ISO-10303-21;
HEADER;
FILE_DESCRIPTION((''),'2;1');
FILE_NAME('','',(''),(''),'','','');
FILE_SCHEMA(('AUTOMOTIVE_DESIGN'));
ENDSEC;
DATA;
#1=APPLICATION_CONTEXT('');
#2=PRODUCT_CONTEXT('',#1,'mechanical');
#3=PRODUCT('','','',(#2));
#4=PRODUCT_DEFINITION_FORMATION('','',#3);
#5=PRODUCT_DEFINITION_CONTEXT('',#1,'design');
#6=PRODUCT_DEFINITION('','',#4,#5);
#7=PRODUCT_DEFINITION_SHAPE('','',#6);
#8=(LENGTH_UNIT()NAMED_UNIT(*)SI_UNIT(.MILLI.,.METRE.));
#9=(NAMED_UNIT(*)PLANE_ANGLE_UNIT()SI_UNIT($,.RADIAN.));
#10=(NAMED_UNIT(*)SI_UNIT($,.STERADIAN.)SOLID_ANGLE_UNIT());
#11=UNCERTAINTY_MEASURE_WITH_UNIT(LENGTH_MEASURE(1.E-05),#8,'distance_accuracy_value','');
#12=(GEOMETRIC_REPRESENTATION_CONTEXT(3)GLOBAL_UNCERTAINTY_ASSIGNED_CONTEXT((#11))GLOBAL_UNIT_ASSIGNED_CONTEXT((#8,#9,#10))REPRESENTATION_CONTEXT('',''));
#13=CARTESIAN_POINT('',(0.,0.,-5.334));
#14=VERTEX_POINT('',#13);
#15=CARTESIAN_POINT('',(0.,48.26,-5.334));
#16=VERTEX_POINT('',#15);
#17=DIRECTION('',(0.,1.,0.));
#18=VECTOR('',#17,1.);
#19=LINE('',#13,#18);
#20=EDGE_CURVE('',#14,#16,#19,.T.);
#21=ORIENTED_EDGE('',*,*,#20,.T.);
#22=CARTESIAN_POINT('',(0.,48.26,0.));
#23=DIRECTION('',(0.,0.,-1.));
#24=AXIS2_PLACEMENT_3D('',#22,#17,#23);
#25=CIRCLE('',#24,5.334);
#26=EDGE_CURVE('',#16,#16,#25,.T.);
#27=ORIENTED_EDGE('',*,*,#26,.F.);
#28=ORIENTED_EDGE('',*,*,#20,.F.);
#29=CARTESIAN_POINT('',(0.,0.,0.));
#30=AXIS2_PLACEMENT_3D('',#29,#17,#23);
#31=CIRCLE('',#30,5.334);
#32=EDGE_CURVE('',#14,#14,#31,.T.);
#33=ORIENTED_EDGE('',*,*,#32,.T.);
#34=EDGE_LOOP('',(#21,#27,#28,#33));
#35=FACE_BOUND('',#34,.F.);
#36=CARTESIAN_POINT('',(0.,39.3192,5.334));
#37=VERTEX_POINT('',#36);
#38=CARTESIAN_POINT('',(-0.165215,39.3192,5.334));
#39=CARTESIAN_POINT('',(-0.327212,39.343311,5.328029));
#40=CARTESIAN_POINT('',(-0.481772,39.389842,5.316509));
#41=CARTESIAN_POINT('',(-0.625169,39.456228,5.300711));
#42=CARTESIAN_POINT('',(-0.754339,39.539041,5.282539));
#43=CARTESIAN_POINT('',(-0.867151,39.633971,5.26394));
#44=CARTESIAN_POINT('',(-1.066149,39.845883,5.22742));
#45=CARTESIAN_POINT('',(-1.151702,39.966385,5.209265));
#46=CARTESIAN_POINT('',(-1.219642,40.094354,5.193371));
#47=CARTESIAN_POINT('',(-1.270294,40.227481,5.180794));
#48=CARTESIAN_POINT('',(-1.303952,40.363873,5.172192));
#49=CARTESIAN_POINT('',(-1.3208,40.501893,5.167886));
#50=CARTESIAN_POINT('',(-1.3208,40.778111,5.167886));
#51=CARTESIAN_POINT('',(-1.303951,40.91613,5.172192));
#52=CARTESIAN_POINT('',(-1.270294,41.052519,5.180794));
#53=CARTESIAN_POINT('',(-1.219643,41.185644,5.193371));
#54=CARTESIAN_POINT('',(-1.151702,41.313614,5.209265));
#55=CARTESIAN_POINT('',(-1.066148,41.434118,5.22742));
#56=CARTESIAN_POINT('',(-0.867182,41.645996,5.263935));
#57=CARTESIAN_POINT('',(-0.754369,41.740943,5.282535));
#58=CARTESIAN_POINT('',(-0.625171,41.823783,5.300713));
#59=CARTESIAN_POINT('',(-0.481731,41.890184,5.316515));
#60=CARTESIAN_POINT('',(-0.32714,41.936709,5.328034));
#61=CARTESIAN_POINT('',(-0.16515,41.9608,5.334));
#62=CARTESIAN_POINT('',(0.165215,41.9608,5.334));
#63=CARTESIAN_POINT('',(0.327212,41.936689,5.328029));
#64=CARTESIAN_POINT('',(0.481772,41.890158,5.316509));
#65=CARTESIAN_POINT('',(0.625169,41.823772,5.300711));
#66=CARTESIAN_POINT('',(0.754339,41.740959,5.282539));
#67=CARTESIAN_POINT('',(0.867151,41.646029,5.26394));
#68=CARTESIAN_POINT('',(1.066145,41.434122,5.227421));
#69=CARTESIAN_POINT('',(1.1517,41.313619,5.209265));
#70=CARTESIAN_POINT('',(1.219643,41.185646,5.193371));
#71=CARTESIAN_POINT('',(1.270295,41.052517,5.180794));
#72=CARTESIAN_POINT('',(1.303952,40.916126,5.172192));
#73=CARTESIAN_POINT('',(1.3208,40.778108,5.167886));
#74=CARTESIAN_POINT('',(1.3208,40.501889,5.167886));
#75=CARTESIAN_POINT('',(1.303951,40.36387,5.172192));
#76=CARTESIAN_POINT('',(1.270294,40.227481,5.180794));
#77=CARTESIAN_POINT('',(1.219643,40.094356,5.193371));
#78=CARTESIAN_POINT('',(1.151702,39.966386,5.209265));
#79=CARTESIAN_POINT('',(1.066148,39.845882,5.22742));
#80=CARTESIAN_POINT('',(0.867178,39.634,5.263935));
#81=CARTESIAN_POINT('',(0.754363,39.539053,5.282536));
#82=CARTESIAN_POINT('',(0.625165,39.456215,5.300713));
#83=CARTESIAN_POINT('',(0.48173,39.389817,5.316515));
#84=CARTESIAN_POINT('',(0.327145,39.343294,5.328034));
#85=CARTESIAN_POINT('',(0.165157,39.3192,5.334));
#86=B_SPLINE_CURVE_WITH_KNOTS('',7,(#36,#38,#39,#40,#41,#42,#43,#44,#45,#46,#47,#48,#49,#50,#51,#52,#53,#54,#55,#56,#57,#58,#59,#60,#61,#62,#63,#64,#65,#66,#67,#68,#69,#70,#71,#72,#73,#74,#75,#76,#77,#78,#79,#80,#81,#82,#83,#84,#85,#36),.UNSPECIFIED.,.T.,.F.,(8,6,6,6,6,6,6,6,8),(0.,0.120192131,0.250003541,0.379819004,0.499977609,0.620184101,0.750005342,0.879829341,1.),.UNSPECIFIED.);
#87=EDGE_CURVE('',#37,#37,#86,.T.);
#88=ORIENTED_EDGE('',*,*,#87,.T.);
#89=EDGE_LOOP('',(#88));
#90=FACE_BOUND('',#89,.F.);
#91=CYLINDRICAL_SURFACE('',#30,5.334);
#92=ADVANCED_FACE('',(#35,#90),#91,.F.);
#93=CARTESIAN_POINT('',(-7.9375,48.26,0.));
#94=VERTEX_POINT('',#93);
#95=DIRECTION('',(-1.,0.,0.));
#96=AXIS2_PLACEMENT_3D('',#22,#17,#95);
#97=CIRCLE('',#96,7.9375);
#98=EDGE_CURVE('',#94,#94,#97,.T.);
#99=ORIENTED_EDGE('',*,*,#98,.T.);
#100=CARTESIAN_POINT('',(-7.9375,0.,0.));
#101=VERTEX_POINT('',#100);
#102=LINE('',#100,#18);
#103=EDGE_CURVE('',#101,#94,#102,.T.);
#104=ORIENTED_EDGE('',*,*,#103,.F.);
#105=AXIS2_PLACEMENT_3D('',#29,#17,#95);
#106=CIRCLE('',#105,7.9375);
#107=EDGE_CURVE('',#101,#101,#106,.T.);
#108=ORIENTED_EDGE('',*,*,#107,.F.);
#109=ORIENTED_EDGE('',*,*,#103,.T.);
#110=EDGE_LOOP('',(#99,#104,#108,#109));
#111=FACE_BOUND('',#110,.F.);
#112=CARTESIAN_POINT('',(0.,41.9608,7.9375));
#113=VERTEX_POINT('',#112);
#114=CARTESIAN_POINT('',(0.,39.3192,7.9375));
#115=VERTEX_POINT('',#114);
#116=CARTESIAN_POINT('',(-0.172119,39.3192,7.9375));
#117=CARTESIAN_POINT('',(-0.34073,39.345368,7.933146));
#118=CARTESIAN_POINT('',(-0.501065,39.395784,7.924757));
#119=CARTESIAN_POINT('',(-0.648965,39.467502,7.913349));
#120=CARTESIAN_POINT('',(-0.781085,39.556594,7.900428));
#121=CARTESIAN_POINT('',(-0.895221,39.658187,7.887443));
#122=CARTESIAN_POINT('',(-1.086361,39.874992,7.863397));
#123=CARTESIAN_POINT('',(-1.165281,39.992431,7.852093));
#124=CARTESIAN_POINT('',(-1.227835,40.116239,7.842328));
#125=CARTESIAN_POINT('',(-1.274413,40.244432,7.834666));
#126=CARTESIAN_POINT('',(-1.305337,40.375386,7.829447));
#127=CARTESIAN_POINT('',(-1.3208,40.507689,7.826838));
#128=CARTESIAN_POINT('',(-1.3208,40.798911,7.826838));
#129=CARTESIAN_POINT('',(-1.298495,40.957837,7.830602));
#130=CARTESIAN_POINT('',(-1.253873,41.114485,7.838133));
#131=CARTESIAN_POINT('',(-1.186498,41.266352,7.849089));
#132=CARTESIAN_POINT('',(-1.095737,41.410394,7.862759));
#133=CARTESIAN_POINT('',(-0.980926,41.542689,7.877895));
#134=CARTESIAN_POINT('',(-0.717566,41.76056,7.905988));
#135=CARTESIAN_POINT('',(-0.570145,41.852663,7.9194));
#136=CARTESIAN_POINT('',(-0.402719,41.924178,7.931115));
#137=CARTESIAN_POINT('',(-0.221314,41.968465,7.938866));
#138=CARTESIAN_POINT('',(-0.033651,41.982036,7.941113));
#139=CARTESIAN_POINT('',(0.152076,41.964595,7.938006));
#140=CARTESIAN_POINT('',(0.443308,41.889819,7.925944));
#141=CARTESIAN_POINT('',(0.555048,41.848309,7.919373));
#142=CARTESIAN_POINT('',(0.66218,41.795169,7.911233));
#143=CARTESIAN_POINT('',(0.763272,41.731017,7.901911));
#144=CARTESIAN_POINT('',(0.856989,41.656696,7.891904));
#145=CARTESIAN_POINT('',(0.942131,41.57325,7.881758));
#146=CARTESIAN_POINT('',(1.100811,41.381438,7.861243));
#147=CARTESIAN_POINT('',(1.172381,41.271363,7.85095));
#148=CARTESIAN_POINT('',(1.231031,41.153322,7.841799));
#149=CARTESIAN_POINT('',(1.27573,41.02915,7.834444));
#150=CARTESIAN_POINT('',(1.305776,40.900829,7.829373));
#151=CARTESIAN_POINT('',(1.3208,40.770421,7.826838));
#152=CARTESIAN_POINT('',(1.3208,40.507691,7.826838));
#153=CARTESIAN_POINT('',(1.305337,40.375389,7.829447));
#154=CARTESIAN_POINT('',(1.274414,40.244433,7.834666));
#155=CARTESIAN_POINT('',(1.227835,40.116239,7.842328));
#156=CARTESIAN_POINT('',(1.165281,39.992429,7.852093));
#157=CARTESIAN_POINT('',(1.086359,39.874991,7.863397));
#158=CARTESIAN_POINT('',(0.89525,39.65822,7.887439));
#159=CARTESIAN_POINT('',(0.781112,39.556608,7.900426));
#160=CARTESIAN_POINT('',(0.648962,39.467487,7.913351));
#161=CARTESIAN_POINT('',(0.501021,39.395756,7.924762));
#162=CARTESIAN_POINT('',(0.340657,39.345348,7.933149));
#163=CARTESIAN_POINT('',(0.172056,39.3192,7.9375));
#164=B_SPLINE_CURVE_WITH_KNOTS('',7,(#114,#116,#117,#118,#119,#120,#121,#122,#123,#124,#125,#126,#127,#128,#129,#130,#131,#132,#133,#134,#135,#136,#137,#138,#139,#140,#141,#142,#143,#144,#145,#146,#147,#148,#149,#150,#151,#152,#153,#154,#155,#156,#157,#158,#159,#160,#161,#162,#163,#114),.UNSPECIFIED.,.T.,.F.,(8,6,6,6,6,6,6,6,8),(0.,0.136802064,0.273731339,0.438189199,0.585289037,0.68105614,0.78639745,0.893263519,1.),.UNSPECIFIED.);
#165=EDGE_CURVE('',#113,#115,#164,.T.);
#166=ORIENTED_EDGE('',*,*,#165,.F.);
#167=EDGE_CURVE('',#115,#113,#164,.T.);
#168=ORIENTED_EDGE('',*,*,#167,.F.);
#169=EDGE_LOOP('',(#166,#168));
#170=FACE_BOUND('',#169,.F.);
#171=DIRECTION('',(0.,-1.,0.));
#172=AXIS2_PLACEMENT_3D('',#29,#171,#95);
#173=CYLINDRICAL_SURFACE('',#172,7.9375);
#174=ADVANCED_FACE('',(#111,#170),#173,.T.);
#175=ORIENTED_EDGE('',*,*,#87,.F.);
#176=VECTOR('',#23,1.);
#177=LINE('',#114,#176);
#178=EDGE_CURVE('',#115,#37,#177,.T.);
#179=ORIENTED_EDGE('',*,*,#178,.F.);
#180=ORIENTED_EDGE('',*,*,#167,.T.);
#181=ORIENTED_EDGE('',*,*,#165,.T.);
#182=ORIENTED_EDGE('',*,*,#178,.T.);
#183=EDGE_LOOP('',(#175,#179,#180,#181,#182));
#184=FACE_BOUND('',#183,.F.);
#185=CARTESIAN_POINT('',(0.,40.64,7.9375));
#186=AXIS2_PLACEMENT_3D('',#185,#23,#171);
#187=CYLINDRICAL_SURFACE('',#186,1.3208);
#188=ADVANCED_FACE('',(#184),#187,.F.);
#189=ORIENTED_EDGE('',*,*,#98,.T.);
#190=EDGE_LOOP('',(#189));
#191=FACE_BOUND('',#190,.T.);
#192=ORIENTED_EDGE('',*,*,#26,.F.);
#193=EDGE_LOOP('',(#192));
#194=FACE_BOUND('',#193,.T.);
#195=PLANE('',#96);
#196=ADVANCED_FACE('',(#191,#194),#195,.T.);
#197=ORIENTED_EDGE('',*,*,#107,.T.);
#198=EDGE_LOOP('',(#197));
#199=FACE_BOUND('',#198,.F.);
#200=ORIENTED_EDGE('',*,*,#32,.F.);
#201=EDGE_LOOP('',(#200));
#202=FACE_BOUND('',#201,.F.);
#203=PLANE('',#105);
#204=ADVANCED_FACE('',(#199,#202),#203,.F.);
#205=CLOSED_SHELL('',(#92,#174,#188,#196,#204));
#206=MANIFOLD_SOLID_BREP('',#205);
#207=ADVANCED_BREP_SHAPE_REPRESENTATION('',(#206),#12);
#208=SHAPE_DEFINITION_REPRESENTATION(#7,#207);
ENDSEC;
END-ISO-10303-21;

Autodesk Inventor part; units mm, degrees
ref_plane "YZ Plane" through (0, 0, 0) normal (1, 0, 0) x (0, 1, 0)
ref_plane "XZ Plane" through (0, 0, 0) normal (0, 1, 0) x (-1, 0, 0)
sketch "Sketch1" plane through (0, 0, 0) normal (0, 1, 0) x (-1, 0, 0)
  circle A0 centre (0, 0) radius 7.9375
  dimension "d35" = 15.875
extrude "Extrusion1" add sketch "Sketch1" along normal blind 48.26
hole "Hole1" at (0, 0, 0) direction (0, 1, 0) diameter 10.668 end through all
ref_plane "Work Plane1" through (0, 0, 7.9375) normal (0, 0, 1) x (1, 0, 0)
sketch "Sketch2" plane through (0, 0, 7.9375) normal (0, 0, 1) x (1, 0, 0)
  line L0 (-7.9375, 0) -> (-7.9375, 48.26) projected
  line L1 (-7.9375, 0) -> (7.9375, 0) projected
  line L2 (7.9375, 48.26) -> (-7.9375, 48.26) projected
  point P0 (0, 0)
  point P1 (0, 40.64)
  dimension "d11" = 40.64
  dimension "d42" = 7.62
hole "Hole2" at (0, 40.64, 7.9375) direction (0, 0, -1) diameter 2.6416 depth 10.16 tip angle 118 thread size "6-32 UNC" class "2B" standard "ANSI Unified Screw Threads"
properties part number "ToolHolderAdapter_v2" material "Aluminum 6061"
